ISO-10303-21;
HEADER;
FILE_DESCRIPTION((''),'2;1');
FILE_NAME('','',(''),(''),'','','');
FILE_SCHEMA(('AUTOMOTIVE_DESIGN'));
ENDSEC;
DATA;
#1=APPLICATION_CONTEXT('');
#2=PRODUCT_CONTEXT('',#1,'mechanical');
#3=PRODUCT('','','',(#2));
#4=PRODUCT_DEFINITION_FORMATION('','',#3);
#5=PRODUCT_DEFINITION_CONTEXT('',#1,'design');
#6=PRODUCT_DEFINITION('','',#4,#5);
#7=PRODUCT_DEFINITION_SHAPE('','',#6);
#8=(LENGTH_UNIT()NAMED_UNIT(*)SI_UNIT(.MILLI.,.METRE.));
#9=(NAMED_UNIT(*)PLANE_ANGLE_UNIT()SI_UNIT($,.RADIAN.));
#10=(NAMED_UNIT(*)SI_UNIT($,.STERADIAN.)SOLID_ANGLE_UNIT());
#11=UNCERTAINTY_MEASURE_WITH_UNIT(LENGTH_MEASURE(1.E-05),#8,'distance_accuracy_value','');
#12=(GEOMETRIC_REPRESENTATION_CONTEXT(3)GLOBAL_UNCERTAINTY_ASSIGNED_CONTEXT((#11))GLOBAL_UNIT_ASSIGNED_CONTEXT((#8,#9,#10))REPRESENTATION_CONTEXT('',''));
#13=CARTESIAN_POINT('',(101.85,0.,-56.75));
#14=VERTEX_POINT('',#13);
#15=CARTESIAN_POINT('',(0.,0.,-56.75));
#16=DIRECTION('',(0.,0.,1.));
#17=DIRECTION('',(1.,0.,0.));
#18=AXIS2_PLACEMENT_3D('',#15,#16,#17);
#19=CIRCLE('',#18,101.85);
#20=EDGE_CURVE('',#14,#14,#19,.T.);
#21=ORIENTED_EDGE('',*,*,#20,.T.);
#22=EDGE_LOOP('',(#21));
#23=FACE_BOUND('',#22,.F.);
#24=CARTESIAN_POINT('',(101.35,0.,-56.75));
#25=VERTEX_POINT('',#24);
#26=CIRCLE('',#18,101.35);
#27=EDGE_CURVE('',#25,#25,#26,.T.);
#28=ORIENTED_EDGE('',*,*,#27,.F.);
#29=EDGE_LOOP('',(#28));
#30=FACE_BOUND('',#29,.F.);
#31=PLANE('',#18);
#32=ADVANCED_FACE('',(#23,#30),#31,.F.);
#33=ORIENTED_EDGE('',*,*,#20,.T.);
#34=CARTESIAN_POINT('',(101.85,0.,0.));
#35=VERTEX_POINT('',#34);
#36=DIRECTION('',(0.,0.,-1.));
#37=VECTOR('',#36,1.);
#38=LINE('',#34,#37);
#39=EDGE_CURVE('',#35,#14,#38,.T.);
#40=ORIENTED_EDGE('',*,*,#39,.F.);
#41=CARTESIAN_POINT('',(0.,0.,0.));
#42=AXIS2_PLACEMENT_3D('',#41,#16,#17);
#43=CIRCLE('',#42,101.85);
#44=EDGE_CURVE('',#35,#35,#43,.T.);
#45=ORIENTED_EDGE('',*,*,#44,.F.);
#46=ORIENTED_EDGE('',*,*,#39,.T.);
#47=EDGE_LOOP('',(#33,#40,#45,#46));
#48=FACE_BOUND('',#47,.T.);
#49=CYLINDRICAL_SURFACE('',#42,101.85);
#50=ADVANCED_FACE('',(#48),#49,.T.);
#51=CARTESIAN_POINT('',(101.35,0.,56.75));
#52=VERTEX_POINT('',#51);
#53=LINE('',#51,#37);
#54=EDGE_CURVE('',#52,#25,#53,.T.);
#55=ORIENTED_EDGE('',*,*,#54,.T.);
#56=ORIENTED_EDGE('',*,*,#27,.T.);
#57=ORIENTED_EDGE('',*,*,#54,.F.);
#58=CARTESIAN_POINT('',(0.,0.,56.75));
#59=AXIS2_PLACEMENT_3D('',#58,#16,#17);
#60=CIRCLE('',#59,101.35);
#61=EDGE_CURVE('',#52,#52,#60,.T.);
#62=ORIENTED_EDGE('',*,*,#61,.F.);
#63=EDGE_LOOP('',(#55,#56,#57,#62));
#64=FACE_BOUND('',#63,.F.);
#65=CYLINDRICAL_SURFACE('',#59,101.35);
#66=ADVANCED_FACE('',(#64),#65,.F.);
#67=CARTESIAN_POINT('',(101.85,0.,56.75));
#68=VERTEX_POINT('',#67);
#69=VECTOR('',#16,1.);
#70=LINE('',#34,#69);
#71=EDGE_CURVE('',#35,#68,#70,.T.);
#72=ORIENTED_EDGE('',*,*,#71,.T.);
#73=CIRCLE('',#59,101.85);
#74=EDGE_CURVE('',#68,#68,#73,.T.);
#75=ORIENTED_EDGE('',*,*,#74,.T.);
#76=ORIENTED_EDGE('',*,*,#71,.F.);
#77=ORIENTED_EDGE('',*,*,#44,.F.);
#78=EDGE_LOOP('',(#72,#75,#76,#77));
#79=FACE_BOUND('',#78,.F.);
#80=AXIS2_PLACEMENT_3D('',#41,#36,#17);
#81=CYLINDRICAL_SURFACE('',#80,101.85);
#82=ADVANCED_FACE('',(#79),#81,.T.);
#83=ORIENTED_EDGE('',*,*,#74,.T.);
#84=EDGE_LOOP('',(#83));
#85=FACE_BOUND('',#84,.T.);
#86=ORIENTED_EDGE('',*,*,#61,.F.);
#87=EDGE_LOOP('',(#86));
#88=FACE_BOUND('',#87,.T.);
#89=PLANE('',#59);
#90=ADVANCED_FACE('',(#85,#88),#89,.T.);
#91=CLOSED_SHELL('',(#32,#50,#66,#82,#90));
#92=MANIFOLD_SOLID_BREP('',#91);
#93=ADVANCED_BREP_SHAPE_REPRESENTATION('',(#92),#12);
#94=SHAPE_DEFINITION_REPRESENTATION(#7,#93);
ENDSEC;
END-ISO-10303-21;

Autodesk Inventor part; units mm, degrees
ref_plane "YZ Plane" through (0, 0, 0) normal (1, 0, 0) x (0, 1, 0)
ref_plane "XZ Plane" through (0, 0, 0) normal (0, 1, 0) x (-1, 0, 0)
ref_plane "XY Plane" through (0, 0, 0) normal (0, 0, 1) x (1, 0, 0)
sketch "Sketch1" plane through (0, 0, 0) normal (0, 0, 1) x (1, 0, 0)
  circle A0 centre (0, 0) radius 101.85
  dimension "d0" = 203.7
extrude "Extrusion1" add sketch "Sketch1" along normal mid plane 113.5
sketch "Sketch2" plane through (0, 0, 56.75) normal (0, 0, 1) x (1, 0, 0)
  circle A0 centre (0, 0) radius 101.35
  dimension "d3" = 202.7
extrude "Extrusion2" cut sketch "Sketch2" against normal through all
properties part number "ALPHA-II-CT_7"
